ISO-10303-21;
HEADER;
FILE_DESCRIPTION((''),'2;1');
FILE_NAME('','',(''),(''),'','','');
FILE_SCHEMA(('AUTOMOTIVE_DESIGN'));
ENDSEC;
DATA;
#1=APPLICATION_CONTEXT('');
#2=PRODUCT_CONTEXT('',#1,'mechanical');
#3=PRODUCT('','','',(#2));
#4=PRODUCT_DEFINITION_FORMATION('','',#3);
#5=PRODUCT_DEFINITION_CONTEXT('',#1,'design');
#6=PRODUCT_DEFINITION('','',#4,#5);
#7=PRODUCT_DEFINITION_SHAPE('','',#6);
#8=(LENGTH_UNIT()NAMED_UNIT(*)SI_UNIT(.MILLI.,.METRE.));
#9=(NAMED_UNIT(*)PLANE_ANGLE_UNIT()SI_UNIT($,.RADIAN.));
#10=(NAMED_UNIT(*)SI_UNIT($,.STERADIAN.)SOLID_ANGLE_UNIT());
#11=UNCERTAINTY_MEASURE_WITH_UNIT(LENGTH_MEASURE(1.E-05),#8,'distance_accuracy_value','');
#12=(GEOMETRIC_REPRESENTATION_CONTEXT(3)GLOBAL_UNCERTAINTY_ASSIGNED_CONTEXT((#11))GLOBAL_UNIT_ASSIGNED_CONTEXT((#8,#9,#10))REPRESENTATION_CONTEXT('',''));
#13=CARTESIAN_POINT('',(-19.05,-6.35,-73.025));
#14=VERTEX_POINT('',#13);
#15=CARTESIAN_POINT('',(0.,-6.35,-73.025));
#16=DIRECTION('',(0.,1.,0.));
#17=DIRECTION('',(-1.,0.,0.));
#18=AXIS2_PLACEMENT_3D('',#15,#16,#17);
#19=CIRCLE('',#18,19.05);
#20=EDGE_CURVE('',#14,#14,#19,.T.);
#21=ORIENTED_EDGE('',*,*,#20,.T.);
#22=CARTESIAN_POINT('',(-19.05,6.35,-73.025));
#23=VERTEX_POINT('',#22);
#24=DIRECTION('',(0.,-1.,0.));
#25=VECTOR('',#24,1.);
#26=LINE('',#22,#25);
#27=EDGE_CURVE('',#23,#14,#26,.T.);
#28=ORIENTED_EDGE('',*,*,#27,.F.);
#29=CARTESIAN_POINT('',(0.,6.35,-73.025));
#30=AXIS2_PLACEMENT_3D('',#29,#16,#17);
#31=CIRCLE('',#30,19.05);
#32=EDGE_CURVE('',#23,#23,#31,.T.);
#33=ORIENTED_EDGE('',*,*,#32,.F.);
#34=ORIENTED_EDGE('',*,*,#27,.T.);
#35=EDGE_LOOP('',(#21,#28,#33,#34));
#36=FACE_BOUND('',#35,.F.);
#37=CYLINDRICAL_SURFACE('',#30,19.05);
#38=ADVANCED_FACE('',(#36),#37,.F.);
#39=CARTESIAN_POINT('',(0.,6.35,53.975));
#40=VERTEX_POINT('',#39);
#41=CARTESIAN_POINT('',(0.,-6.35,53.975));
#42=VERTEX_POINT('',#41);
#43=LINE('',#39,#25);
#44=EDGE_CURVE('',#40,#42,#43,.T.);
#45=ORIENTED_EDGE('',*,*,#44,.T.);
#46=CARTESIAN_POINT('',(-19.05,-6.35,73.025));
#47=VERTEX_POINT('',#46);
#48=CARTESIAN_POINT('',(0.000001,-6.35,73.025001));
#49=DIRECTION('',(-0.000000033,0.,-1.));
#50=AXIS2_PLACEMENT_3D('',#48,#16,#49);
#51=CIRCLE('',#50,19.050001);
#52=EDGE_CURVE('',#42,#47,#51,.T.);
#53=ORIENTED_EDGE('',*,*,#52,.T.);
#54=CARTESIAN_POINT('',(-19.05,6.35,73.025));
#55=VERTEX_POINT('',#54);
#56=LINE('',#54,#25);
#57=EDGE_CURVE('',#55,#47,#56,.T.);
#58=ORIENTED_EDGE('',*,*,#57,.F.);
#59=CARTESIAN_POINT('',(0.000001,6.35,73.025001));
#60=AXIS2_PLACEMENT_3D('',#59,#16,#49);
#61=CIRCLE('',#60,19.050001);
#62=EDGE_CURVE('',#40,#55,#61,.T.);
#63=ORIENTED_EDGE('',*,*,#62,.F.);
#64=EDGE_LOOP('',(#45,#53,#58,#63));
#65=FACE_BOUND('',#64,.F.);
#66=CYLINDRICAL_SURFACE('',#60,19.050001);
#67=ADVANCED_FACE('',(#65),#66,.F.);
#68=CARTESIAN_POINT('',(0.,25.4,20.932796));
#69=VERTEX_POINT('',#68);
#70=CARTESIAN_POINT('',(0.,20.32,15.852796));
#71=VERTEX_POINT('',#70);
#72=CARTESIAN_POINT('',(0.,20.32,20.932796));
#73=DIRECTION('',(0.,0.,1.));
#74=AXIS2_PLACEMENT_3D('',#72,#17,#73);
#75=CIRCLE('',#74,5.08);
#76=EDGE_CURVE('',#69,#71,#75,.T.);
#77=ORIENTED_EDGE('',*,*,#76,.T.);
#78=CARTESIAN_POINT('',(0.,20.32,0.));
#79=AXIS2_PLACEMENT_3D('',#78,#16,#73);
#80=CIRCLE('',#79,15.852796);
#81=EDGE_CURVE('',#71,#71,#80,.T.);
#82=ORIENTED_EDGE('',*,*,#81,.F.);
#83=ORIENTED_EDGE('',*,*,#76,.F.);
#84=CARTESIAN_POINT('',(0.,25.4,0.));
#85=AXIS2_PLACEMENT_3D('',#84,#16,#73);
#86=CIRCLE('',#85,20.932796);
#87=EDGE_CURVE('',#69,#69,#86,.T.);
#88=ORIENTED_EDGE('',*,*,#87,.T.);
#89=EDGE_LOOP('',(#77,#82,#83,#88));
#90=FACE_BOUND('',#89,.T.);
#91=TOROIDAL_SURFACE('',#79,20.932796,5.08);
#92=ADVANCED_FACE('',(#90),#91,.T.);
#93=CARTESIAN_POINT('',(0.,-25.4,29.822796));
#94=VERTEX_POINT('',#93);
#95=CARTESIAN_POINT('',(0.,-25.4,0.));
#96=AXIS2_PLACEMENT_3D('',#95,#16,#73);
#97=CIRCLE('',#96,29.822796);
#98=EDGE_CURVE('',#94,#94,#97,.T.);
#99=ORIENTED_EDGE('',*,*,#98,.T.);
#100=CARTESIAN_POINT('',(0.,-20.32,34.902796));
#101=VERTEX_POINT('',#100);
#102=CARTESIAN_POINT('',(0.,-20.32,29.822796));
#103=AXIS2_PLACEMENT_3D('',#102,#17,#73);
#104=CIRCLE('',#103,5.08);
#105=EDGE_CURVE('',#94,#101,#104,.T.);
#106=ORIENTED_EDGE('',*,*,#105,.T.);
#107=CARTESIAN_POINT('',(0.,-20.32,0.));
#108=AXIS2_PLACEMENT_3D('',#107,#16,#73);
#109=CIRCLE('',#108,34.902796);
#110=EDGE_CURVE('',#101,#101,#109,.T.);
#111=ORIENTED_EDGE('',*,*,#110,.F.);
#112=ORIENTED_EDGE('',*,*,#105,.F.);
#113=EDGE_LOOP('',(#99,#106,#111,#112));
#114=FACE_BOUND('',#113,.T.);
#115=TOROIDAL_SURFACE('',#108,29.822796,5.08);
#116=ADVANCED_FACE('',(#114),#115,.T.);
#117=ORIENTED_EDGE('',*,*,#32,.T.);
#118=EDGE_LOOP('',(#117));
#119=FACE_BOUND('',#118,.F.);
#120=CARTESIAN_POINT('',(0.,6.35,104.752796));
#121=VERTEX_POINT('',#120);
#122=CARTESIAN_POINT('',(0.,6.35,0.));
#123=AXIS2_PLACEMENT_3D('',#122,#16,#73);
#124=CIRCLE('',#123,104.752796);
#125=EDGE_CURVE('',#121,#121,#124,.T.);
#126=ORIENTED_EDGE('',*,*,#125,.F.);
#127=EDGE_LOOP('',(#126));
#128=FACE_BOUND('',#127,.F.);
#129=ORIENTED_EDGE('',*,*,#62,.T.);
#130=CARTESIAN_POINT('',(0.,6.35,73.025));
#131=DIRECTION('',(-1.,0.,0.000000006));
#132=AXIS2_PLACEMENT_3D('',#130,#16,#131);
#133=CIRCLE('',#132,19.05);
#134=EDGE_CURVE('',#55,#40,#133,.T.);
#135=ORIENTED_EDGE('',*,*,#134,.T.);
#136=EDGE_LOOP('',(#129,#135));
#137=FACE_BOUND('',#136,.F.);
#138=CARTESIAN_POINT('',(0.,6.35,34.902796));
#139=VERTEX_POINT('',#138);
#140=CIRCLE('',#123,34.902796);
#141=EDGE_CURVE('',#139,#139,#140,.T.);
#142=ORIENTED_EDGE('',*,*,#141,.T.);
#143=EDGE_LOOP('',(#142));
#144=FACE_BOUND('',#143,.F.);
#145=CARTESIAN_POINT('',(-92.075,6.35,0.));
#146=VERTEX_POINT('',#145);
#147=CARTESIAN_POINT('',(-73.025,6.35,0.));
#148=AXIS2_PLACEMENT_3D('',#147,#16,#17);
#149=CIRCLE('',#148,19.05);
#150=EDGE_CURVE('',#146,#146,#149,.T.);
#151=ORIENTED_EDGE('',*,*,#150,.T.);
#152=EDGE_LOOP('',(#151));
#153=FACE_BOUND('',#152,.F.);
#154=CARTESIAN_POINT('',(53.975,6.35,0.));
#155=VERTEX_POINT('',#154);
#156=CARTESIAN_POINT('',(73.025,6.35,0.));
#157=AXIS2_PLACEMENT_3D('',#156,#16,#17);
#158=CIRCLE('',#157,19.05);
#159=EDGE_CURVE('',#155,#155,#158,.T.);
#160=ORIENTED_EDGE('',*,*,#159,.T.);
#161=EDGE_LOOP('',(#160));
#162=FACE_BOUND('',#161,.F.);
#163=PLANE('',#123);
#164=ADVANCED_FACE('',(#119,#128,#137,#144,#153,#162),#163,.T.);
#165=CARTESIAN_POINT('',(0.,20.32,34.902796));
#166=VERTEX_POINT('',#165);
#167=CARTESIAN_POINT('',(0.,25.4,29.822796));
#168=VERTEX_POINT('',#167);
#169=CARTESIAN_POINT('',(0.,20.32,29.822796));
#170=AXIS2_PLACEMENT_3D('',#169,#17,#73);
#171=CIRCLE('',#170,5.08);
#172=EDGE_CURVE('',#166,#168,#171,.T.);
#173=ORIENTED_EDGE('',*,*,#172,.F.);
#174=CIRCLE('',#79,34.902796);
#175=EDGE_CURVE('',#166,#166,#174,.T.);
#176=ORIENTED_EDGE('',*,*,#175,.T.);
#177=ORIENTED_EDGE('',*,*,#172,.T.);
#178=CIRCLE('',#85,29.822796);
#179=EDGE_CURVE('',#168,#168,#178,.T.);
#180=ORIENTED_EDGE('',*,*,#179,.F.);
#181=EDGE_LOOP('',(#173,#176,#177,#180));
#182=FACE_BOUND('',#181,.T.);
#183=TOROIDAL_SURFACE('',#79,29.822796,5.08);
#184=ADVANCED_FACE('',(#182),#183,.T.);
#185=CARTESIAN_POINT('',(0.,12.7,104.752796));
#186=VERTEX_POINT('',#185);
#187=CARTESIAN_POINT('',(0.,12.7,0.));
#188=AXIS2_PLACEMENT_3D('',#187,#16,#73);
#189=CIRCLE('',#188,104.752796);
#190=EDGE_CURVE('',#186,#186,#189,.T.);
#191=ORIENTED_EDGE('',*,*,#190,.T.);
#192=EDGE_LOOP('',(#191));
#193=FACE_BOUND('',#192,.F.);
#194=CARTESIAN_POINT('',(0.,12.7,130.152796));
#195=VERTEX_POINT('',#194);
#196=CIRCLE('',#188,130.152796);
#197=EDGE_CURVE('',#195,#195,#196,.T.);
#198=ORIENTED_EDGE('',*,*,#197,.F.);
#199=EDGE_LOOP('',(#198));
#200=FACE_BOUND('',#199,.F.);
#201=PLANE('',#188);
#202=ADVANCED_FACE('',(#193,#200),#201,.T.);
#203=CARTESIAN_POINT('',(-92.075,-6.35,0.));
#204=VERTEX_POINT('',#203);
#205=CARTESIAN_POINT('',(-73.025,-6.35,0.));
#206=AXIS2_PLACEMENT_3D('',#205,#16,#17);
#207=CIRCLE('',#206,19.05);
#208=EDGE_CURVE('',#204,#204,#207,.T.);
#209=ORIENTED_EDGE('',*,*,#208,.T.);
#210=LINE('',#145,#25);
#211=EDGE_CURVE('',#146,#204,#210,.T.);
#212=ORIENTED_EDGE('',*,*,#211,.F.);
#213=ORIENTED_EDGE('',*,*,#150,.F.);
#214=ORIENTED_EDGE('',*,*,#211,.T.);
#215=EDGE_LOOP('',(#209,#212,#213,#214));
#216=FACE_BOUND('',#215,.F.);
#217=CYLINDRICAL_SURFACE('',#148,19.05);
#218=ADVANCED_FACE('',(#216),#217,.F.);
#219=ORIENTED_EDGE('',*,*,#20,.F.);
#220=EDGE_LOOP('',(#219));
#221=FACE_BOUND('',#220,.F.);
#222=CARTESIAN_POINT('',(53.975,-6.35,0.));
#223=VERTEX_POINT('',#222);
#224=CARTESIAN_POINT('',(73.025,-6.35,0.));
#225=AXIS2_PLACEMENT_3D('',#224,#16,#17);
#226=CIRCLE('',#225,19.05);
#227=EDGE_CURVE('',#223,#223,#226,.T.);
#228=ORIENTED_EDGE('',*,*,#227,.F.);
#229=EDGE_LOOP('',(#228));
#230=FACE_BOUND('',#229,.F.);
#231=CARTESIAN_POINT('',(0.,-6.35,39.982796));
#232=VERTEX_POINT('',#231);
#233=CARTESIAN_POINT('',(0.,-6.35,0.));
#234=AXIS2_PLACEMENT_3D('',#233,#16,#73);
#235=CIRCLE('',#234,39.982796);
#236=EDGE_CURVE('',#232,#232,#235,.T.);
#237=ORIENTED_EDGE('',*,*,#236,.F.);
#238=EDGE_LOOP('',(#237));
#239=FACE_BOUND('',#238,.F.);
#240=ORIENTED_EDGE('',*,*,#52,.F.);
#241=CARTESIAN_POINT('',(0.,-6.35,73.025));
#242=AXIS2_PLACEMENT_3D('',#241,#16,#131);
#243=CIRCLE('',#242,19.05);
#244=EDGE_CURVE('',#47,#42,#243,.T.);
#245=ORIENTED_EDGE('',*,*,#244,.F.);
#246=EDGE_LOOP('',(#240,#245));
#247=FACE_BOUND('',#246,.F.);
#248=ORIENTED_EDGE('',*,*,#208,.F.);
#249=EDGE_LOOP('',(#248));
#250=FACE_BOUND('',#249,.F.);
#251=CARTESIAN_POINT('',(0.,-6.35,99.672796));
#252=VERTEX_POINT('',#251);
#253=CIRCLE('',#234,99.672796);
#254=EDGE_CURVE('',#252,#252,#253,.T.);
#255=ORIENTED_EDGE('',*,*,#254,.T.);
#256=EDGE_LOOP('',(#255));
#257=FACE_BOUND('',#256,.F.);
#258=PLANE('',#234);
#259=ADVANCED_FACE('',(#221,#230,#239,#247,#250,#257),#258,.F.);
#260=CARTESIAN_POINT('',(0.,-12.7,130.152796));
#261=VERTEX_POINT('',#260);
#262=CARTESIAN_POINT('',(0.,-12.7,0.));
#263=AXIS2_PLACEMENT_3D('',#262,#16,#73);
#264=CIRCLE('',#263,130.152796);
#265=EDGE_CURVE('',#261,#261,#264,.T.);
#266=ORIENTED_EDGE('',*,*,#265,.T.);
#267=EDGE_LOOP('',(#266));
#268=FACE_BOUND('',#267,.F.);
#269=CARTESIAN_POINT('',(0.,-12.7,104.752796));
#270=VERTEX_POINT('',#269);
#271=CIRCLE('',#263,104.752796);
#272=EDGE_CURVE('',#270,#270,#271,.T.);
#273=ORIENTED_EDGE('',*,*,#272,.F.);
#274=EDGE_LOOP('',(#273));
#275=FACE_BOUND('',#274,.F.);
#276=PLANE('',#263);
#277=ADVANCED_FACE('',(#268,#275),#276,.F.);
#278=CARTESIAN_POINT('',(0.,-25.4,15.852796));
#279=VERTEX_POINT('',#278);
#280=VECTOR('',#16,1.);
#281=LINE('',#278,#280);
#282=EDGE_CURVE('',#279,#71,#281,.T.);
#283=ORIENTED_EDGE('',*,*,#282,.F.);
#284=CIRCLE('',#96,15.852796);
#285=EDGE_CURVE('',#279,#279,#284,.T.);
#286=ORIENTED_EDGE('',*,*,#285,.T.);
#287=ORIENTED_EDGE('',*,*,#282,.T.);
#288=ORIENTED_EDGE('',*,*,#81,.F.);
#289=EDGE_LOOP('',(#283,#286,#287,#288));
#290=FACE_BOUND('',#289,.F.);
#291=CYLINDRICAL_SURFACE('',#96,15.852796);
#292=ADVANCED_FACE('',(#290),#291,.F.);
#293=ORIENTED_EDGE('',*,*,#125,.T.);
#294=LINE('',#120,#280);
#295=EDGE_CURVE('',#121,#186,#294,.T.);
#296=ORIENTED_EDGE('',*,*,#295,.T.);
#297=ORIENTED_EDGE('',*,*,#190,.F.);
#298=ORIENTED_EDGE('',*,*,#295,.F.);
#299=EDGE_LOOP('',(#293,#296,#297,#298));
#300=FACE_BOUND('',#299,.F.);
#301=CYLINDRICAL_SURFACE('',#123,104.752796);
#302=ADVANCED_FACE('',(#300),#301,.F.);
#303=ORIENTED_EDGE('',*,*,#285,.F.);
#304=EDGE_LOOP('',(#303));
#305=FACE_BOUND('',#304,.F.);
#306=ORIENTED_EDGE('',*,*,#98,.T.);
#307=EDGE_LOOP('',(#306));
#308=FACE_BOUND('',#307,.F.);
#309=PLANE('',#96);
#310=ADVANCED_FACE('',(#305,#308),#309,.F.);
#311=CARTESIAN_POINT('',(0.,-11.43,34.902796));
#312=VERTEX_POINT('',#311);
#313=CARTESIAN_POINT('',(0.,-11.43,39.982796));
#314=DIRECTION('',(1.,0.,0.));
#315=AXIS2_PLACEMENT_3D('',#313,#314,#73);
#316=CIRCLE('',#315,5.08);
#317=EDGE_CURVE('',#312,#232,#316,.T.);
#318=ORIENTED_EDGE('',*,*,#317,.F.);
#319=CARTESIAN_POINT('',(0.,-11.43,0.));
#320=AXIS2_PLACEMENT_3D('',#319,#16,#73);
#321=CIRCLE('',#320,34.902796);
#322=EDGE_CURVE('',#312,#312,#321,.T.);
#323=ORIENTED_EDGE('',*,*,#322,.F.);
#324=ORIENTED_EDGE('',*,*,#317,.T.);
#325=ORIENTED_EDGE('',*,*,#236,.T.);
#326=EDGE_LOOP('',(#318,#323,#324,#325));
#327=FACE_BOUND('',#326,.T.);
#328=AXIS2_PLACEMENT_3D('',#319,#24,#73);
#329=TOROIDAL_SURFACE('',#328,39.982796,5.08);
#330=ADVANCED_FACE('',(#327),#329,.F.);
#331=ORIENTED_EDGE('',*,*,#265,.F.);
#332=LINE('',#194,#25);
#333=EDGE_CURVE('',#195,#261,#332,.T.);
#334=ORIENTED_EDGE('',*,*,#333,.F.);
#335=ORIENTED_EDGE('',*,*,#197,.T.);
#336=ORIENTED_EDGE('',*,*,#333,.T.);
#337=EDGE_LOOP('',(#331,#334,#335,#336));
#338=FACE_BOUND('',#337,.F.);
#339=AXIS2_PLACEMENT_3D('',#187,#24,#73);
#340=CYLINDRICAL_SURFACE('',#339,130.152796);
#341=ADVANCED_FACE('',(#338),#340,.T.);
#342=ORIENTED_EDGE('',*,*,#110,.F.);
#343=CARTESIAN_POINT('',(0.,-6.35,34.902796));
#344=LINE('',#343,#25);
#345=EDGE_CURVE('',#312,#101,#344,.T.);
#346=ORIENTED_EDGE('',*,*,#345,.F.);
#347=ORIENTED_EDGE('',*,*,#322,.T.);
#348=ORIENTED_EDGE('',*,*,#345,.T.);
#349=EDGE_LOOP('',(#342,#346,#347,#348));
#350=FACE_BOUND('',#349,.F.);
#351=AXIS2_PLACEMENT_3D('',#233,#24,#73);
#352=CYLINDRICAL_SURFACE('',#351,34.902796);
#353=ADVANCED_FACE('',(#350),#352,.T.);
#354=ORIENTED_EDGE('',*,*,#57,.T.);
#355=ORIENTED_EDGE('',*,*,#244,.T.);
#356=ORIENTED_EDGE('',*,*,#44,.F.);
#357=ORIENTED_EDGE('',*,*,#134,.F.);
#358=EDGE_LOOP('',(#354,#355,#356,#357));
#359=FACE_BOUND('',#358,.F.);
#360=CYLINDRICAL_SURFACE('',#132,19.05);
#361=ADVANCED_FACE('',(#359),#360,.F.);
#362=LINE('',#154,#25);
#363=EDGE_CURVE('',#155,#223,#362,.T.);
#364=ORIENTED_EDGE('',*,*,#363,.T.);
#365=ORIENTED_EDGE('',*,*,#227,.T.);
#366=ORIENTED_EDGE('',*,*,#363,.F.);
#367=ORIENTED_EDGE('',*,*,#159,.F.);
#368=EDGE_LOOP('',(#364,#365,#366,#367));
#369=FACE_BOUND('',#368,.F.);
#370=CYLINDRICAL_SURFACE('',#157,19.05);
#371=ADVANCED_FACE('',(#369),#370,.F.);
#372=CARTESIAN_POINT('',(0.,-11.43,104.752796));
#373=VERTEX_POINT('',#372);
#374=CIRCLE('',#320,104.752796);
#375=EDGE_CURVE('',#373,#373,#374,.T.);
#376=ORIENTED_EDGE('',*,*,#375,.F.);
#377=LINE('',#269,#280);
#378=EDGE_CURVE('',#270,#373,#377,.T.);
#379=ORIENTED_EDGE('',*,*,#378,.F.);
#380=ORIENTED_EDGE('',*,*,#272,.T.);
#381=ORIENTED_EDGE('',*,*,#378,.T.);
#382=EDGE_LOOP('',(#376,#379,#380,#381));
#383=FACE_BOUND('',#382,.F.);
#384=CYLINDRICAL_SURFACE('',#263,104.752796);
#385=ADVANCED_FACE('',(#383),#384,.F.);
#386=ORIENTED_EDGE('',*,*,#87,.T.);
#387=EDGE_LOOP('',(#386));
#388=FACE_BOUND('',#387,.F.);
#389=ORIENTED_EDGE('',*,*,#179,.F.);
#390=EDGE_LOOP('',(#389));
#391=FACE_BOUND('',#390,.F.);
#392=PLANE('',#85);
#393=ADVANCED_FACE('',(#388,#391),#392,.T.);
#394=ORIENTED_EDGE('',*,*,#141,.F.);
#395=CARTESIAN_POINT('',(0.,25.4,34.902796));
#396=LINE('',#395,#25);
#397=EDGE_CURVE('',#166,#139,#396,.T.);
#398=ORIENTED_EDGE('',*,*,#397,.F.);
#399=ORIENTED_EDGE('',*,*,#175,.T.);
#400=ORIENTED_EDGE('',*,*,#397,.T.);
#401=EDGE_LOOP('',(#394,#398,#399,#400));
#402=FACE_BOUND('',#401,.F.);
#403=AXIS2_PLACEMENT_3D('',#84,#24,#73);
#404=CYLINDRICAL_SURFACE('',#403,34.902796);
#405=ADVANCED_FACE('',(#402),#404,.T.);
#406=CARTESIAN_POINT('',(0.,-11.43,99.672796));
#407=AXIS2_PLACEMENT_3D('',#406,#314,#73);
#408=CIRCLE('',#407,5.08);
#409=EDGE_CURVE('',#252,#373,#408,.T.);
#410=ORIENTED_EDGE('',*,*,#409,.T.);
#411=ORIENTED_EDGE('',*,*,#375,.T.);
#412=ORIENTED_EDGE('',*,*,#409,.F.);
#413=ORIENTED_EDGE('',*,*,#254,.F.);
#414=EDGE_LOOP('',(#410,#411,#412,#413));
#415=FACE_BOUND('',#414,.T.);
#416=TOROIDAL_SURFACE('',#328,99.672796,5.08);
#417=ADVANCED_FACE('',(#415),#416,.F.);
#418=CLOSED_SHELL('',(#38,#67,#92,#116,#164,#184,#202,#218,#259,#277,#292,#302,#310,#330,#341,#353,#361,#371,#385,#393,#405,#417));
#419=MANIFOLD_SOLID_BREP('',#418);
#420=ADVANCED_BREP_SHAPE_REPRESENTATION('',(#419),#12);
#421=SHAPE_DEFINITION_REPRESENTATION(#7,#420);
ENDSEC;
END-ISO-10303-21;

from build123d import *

# Parameters (mm, degrees)
F2_R     = 19.05
F3_DEPTH = 25.4
F4_R     = 5.08
F5_R     = 5.08
F6_R     = 5.08


with BuildPart() as f1:
    # F0 (on Right) → F1 (revolve)
    with BuildSketch(Plane.YZ):
        Polygon((-25.4, 34.902796), (-25.4, 15.852796), (0, 15.852796), (25.4, 15.852796), (25.4, 34.902796), (6.35, 34.902796), (6.35, 104.752796), (12.7, 104.752796), (12.7, 130.152796), (-12.7, 130.152796), (-12.7, 104.752796), (-6.35, 104.752796), (-6.35, 34.902796), align=None)
    revolve(axis=Axis((0, 11.529056, 0), (0, 1, 0)))

    # F2 (on face) → F3 (cut)
    with BuildSketch(Plane(origin=(0, 6.35, 0), x_dir=(-1, 0, 0), z_dir=(0, 1, 0))):
        with BuildLine():
            ThreePointArc((19.05, 73.025), (-13.470384, 86.495384), (0, 53.975))
            ThreePointArc((0, 53.975), (13.470384, 59.554616), (19.05, 73.025))
        make_face()
        with Locations((73.025, 0)):
            Circle(F2_R)
        with Locations((0, -73.025)):
            Circle(F2_R)
        with Locations((-73.025, 0)):
            Circle(F2_R)
    extrude(amount=-F3_DEPTH, mode=Mode.SUBTRACT)

    # F4
    f4_edges = [f1.edges().sort_by_distance(p)[0] for p in [
        (0, -25.4, -34.902796),
        (0, -6.35, -34.902796),
        (0, -15.875, 34.902796),
    ]]
    fillet(f4_edges, radius=F4_R)

    # F5
    f5_edges = [f1.edges().sort_by_distance(p)[0] for p in [
        (0, -6.35, -104.752796),
    ]]
    fillet(f5_edges, radius=F5_R)

    # F6
    f6_edges = [f1.edges().sort_by_distance(p)[0] for p in [
        (0, 25.4, -15.852796),
        (0, 25.4, -34.902796),
    ]]
    fillet(f6_edges, radius=F6_R)


solid = f1.part
